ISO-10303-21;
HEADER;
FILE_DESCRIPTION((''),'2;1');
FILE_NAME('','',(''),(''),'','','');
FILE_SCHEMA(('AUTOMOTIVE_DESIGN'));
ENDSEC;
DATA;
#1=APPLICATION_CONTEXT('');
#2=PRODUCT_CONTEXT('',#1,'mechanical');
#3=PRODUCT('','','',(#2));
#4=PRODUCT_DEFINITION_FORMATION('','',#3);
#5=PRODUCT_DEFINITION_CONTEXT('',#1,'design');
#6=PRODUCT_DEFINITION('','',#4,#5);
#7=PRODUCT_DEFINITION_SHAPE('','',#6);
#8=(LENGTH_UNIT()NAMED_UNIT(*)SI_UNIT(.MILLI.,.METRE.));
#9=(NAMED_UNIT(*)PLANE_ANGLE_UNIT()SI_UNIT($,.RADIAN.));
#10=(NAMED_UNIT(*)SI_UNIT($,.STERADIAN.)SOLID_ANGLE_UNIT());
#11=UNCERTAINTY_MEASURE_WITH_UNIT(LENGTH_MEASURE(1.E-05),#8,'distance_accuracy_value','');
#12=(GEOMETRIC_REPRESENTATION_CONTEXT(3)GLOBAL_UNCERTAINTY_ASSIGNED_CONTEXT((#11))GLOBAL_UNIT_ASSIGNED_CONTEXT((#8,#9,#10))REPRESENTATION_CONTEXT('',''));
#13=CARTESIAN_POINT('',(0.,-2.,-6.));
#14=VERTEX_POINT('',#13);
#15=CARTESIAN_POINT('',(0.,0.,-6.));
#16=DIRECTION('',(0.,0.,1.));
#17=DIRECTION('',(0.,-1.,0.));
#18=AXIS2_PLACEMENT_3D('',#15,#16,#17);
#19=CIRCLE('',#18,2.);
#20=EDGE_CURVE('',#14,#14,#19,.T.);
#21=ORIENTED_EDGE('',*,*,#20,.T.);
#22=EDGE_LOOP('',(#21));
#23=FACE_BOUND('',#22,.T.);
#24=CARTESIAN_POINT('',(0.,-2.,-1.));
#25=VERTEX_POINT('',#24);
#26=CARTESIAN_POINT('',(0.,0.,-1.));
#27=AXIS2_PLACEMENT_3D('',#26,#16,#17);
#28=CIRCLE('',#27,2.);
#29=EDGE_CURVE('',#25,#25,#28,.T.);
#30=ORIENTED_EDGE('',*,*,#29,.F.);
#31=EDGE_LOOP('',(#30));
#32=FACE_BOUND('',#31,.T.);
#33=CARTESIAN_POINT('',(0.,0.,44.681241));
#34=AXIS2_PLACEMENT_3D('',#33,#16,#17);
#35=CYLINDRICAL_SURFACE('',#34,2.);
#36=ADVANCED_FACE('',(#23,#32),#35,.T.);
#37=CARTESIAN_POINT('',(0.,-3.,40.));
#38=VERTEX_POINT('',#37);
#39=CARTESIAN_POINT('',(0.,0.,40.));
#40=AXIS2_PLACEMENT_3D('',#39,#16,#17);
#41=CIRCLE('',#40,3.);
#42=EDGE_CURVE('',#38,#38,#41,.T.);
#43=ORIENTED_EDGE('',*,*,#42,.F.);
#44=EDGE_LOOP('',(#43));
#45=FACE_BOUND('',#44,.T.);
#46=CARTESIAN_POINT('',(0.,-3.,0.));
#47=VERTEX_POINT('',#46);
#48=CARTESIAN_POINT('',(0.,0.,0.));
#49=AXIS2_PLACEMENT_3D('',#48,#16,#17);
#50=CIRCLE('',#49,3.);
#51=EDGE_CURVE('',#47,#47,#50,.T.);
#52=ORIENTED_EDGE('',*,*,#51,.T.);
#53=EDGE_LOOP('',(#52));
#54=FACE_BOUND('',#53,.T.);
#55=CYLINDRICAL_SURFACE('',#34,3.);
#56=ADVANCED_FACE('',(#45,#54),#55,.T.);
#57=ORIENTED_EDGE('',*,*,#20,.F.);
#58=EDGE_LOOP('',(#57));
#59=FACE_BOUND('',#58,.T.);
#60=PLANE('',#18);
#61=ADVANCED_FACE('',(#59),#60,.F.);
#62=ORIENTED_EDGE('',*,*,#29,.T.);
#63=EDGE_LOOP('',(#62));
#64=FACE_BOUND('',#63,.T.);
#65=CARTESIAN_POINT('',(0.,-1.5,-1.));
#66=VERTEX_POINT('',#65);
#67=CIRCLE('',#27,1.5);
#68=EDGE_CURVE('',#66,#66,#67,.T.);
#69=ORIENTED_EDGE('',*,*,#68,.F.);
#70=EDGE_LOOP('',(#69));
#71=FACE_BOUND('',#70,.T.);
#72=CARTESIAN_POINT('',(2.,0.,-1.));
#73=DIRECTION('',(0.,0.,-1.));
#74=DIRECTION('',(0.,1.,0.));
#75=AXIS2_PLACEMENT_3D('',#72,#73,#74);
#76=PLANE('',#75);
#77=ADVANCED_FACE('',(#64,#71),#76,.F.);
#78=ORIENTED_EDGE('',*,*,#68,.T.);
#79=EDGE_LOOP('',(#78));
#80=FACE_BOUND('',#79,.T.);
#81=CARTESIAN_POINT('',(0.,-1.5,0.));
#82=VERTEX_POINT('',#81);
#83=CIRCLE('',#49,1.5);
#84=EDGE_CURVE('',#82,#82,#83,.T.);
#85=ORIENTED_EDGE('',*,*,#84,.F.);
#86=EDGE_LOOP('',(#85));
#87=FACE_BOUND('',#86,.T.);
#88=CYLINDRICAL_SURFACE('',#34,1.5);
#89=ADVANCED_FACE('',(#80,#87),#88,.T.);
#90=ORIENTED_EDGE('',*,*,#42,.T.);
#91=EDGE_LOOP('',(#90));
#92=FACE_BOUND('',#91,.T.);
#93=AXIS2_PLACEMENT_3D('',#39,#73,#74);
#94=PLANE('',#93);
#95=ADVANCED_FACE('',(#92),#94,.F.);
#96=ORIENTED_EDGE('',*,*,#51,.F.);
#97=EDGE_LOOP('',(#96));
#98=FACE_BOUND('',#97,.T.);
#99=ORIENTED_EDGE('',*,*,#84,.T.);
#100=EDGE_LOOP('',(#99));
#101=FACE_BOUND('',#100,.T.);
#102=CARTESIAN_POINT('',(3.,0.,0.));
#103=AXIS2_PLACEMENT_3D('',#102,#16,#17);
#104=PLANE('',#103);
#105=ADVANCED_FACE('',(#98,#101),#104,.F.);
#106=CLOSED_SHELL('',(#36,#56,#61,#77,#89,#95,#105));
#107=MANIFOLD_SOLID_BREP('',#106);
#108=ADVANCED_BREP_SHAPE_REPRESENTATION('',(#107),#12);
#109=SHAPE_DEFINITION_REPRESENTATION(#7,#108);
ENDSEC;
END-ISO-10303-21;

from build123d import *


with BuildPart() as part:
    # Sketch1 → Revolve1 (revolve)
    with BuildSketch(Plane.XZ, mode=Mode.PRIVATE) as revolve1_sk:
        Polygon((0, 40), (3, 40), (3, 0), (1.5, 0), (1.5, -1), (2, -1), (2, -6), (0, -6), align=None)
    revolve(revolve1_sk.sketch.rotate(Axis((0, 0, 44.681241357), (0, 0, -1)), 90), axis=Axis((0, 0, 44.681241357), (0, 0, -1)))


solid = part.part
